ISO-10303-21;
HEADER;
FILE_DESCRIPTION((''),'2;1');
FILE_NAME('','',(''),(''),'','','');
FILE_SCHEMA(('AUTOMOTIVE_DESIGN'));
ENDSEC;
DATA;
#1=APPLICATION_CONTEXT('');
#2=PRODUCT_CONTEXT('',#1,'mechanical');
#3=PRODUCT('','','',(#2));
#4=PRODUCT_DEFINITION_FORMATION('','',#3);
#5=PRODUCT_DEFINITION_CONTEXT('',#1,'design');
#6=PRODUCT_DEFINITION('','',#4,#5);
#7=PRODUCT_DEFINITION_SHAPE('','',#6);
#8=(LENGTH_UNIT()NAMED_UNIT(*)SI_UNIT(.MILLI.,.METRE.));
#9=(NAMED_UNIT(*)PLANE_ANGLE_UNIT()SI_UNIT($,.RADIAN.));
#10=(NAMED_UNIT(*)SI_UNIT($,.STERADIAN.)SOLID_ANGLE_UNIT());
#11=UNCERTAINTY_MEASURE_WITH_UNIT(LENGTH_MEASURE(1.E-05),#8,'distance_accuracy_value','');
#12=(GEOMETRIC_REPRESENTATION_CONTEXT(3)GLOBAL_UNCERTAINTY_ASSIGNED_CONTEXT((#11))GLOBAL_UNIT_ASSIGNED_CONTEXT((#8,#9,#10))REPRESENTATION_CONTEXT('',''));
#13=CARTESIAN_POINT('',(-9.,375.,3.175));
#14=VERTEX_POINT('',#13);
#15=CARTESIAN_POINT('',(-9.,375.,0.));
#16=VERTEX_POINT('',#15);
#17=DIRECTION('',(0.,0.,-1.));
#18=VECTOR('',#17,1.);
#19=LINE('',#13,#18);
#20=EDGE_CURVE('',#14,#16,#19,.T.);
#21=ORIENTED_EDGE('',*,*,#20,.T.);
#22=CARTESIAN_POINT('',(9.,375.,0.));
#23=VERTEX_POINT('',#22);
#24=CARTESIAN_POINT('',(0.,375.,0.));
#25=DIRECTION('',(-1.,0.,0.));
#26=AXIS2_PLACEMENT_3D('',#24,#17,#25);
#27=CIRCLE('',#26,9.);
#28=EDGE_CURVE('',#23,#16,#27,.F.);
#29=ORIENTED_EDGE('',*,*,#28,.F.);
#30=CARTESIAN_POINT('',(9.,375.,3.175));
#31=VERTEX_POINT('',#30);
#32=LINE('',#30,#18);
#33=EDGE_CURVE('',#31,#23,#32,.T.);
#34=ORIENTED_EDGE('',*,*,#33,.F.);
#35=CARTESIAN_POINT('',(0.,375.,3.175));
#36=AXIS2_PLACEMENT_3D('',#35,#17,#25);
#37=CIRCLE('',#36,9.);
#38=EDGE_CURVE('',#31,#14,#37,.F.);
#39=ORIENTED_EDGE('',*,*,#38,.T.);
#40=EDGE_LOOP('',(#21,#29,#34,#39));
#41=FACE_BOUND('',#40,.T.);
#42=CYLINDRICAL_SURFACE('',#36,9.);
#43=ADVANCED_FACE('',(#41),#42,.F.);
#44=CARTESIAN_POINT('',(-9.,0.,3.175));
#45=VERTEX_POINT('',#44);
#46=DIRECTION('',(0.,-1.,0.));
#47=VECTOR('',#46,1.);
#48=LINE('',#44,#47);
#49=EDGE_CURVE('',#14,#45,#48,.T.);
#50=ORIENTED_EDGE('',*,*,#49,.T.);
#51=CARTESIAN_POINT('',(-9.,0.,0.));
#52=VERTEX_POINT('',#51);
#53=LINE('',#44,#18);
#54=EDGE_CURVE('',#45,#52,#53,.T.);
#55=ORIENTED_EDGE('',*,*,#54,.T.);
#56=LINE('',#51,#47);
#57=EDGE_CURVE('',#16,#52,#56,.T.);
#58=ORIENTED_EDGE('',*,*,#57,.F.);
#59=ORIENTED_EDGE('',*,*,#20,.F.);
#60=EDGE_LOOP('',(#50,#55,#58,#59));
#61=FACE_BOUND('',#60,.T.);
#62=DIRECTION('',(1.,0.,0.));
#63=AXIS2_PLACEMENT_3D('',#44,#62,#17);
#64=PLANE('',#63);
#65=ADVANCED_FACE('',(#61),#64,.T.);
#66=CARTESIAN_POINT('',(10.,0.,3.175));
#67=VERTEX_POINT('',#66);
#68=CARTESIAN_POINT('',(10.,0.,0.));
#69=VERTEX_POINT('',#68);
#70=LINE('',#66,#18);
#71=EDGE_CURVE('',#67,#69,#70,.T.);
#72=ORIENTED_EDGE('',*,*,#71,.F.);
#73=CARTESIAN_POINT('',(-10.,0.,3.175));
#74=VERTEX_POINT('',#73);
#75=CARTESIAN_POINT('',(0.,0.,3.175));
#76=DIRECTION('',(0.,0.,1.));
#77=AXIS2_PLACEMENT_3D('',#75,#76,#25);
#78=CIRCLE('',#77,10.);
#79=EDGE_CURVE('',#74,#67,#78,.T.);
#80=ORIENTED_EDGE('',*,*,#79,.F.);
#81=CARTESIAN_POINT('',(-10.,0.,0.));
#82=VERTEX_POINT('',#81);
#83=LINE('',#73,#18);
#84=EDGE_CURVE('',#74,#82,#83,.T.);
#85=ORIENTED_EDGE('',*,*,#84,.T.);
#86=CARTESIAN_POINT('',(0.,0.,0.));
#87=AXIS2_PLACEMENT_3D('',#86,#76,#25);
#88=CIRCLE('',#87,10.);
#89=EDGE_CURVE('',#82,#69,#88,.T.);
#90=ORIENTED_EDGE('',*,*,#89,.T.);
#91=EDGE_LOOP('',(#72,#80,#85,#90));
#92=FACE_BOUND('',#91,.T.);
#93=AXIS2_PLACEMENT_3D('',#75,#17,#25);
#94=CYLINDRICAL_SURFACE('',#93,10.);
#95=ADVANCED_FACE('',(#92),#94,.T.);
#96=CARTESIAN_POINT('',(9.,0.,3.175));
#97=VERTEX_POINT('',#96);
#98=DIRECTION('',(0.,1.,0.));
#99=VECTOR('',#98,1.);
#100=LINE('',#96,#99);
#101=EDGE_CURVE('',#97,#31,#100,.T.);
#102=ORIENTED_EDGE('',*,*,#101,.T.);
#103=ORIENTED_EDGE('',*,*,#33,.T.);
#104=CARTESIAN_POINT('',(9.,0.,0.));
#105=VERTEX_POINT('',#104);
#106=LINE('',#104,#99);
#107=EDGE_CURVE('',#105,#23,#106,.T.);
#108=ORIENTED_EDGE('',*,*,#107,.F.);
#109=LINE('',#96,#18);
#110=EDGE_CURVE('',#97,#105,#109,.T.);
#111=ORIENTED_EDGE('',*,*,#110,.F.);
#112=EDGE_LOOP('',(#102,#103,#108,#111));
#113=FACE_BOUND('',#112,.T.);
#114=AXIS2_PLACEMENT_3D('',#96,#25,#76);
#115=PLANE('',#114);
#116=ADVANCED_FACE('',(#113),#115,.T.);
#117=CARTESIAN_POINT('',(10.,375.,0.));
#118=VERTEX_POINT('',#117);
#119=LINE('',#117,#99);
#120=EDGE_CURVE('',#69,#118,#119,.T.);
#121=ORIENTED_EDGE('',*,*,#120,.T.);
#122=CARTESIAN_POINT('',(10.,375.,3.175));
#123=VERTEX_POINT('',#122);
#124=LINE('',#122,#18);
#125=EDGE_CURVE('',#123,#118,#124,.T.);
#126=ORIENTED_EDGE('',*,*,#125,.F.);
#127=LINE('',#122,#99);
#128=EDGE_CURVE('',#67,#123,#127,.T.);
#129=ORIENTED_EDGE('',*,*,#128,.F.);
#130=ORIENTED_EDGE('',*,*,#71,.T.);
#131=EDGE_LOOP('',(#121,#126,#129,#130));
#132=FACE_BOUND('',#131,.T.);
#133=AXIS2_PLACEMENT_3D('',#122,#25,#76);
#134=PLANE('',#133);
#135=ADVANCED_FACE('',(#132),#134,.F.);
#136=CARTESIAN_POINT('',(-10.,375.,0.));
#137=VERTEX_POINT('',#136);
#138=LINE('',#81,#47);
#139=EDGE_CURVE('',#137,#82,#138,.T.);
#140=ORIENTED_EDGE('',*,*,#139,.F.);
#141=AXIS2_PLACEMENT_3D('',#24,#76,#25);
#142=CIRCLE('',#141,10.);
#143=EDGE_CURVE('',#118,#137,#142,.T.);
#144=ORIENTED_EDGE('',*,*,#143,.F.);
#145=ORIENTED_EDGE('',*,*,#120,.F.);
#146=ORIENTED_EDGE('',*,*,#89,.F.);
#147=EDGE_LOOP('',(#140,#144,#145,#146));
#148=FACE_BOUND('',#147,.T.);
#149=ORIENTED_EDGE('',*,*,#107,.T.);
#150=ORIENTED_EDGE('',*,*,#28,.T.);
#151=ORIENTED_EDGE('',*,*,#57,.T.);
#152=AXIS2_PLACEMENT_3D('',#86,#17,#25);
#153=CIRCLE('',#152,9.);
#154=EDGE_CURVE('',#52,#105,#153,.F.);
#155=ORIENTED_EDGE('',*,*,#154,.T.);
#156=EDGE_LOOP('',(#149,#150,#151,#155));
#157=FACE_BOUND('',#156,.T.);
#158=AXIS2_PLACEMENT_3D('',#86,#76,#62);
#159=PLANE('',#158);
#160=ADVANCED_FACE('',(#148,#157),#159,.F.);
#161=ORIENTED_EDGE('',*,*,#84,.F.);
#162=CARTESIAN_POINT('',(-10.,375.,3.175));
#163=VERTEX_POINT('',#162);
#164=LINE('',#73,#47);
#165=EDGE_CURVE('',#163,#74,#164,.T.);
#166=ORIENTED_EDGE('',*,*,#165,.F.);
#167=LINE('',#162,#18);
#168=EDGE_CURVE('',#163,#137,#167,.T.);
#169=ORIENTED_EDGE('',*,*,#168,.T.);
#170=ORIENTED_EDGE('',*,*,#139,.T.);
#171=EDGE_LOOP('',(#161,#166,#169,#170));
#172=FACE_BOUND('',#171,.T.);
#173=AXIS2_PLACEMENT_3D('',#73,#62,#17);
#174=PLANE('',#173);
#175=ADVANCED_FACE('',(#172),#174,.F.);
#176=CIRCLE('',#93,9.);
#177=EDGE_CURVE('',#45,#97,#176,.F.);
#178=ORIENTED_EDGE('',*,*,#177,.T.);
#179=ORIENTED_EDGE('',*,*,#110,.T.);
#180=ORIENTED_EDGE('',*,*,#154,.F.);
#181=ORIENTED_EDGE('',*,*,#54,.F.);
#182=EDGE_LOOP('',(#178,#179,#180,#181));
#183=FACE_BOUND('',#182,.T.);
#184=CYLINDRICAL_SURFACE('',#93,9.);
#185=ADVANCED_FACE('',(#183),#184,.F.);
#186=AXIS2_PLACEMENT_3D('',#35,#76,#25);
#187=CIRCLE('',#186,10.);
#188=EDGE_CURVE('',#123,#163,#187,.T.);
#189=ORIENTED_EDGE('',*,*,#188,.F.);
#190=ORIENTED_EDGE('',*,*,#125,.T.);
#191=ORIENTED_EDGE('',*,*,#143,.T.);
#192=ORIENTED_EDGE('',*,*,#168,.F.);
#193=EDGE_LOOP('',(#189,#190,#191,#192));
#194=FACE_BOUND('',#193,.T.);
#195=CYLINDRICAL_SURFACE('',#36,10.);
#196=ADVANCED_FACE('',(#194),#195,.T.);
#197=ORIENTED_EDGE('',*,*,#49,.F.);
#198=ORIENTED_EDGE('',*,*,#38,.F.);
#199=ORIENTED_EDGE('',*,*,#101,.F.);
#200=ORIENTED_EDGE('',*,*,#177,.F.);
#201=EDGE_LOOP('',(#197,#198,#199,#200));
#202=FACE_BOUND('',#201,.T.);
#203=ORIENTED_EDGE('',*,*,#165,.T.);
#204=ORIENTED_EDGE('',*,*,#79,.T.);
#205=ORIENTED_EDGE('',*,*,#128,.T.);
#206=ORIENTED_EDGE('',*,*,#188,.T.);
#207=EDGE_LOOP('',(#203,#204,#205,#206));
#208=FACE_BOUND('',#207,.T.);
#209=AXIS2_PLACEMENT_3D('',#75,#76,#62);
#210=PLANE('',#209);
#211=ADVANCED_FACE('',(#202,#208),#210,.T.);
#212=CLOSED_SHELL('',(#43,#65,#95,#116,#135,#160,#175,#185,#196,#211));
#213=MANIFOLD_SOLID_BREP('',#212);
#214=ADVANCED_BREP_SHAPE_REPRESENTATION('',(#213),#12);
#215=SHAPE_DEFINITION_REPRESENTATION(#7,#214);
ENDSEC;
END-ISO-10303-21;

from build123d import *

# Parameters (mm, degrees)
EXTRUDE_THIN1_DEPTH = 3.175


with BuildPart() as part:
    # Sketch1 → Extrude-Thin1 (new body)
    with BuildSketch(Plane.XY):
        with BuildLine():
            Line((-10, 0), (-10, 375))
            ThreePointArc((-10, 375), (0, 385), (10, 375))
            Line((10, 375), (10, 0))
            ThreePointArc((10, 0), (0, -10), (-10, 0))
        make_face()
        with BuildLine():
            Line((-9, 0), (-9, 375))
            ThreePointArc((-9, 375), (0, 384), (9, 375))
            Line((9, 375), (9, 0))
            ThreePointArc((9, 0), (0, -9), (-9, 0))
        make_face(mode=Mode.SUBTRACT)
    extrude(amount=EXTRUDE_THIN1_DEPTH)


solid = part.part
